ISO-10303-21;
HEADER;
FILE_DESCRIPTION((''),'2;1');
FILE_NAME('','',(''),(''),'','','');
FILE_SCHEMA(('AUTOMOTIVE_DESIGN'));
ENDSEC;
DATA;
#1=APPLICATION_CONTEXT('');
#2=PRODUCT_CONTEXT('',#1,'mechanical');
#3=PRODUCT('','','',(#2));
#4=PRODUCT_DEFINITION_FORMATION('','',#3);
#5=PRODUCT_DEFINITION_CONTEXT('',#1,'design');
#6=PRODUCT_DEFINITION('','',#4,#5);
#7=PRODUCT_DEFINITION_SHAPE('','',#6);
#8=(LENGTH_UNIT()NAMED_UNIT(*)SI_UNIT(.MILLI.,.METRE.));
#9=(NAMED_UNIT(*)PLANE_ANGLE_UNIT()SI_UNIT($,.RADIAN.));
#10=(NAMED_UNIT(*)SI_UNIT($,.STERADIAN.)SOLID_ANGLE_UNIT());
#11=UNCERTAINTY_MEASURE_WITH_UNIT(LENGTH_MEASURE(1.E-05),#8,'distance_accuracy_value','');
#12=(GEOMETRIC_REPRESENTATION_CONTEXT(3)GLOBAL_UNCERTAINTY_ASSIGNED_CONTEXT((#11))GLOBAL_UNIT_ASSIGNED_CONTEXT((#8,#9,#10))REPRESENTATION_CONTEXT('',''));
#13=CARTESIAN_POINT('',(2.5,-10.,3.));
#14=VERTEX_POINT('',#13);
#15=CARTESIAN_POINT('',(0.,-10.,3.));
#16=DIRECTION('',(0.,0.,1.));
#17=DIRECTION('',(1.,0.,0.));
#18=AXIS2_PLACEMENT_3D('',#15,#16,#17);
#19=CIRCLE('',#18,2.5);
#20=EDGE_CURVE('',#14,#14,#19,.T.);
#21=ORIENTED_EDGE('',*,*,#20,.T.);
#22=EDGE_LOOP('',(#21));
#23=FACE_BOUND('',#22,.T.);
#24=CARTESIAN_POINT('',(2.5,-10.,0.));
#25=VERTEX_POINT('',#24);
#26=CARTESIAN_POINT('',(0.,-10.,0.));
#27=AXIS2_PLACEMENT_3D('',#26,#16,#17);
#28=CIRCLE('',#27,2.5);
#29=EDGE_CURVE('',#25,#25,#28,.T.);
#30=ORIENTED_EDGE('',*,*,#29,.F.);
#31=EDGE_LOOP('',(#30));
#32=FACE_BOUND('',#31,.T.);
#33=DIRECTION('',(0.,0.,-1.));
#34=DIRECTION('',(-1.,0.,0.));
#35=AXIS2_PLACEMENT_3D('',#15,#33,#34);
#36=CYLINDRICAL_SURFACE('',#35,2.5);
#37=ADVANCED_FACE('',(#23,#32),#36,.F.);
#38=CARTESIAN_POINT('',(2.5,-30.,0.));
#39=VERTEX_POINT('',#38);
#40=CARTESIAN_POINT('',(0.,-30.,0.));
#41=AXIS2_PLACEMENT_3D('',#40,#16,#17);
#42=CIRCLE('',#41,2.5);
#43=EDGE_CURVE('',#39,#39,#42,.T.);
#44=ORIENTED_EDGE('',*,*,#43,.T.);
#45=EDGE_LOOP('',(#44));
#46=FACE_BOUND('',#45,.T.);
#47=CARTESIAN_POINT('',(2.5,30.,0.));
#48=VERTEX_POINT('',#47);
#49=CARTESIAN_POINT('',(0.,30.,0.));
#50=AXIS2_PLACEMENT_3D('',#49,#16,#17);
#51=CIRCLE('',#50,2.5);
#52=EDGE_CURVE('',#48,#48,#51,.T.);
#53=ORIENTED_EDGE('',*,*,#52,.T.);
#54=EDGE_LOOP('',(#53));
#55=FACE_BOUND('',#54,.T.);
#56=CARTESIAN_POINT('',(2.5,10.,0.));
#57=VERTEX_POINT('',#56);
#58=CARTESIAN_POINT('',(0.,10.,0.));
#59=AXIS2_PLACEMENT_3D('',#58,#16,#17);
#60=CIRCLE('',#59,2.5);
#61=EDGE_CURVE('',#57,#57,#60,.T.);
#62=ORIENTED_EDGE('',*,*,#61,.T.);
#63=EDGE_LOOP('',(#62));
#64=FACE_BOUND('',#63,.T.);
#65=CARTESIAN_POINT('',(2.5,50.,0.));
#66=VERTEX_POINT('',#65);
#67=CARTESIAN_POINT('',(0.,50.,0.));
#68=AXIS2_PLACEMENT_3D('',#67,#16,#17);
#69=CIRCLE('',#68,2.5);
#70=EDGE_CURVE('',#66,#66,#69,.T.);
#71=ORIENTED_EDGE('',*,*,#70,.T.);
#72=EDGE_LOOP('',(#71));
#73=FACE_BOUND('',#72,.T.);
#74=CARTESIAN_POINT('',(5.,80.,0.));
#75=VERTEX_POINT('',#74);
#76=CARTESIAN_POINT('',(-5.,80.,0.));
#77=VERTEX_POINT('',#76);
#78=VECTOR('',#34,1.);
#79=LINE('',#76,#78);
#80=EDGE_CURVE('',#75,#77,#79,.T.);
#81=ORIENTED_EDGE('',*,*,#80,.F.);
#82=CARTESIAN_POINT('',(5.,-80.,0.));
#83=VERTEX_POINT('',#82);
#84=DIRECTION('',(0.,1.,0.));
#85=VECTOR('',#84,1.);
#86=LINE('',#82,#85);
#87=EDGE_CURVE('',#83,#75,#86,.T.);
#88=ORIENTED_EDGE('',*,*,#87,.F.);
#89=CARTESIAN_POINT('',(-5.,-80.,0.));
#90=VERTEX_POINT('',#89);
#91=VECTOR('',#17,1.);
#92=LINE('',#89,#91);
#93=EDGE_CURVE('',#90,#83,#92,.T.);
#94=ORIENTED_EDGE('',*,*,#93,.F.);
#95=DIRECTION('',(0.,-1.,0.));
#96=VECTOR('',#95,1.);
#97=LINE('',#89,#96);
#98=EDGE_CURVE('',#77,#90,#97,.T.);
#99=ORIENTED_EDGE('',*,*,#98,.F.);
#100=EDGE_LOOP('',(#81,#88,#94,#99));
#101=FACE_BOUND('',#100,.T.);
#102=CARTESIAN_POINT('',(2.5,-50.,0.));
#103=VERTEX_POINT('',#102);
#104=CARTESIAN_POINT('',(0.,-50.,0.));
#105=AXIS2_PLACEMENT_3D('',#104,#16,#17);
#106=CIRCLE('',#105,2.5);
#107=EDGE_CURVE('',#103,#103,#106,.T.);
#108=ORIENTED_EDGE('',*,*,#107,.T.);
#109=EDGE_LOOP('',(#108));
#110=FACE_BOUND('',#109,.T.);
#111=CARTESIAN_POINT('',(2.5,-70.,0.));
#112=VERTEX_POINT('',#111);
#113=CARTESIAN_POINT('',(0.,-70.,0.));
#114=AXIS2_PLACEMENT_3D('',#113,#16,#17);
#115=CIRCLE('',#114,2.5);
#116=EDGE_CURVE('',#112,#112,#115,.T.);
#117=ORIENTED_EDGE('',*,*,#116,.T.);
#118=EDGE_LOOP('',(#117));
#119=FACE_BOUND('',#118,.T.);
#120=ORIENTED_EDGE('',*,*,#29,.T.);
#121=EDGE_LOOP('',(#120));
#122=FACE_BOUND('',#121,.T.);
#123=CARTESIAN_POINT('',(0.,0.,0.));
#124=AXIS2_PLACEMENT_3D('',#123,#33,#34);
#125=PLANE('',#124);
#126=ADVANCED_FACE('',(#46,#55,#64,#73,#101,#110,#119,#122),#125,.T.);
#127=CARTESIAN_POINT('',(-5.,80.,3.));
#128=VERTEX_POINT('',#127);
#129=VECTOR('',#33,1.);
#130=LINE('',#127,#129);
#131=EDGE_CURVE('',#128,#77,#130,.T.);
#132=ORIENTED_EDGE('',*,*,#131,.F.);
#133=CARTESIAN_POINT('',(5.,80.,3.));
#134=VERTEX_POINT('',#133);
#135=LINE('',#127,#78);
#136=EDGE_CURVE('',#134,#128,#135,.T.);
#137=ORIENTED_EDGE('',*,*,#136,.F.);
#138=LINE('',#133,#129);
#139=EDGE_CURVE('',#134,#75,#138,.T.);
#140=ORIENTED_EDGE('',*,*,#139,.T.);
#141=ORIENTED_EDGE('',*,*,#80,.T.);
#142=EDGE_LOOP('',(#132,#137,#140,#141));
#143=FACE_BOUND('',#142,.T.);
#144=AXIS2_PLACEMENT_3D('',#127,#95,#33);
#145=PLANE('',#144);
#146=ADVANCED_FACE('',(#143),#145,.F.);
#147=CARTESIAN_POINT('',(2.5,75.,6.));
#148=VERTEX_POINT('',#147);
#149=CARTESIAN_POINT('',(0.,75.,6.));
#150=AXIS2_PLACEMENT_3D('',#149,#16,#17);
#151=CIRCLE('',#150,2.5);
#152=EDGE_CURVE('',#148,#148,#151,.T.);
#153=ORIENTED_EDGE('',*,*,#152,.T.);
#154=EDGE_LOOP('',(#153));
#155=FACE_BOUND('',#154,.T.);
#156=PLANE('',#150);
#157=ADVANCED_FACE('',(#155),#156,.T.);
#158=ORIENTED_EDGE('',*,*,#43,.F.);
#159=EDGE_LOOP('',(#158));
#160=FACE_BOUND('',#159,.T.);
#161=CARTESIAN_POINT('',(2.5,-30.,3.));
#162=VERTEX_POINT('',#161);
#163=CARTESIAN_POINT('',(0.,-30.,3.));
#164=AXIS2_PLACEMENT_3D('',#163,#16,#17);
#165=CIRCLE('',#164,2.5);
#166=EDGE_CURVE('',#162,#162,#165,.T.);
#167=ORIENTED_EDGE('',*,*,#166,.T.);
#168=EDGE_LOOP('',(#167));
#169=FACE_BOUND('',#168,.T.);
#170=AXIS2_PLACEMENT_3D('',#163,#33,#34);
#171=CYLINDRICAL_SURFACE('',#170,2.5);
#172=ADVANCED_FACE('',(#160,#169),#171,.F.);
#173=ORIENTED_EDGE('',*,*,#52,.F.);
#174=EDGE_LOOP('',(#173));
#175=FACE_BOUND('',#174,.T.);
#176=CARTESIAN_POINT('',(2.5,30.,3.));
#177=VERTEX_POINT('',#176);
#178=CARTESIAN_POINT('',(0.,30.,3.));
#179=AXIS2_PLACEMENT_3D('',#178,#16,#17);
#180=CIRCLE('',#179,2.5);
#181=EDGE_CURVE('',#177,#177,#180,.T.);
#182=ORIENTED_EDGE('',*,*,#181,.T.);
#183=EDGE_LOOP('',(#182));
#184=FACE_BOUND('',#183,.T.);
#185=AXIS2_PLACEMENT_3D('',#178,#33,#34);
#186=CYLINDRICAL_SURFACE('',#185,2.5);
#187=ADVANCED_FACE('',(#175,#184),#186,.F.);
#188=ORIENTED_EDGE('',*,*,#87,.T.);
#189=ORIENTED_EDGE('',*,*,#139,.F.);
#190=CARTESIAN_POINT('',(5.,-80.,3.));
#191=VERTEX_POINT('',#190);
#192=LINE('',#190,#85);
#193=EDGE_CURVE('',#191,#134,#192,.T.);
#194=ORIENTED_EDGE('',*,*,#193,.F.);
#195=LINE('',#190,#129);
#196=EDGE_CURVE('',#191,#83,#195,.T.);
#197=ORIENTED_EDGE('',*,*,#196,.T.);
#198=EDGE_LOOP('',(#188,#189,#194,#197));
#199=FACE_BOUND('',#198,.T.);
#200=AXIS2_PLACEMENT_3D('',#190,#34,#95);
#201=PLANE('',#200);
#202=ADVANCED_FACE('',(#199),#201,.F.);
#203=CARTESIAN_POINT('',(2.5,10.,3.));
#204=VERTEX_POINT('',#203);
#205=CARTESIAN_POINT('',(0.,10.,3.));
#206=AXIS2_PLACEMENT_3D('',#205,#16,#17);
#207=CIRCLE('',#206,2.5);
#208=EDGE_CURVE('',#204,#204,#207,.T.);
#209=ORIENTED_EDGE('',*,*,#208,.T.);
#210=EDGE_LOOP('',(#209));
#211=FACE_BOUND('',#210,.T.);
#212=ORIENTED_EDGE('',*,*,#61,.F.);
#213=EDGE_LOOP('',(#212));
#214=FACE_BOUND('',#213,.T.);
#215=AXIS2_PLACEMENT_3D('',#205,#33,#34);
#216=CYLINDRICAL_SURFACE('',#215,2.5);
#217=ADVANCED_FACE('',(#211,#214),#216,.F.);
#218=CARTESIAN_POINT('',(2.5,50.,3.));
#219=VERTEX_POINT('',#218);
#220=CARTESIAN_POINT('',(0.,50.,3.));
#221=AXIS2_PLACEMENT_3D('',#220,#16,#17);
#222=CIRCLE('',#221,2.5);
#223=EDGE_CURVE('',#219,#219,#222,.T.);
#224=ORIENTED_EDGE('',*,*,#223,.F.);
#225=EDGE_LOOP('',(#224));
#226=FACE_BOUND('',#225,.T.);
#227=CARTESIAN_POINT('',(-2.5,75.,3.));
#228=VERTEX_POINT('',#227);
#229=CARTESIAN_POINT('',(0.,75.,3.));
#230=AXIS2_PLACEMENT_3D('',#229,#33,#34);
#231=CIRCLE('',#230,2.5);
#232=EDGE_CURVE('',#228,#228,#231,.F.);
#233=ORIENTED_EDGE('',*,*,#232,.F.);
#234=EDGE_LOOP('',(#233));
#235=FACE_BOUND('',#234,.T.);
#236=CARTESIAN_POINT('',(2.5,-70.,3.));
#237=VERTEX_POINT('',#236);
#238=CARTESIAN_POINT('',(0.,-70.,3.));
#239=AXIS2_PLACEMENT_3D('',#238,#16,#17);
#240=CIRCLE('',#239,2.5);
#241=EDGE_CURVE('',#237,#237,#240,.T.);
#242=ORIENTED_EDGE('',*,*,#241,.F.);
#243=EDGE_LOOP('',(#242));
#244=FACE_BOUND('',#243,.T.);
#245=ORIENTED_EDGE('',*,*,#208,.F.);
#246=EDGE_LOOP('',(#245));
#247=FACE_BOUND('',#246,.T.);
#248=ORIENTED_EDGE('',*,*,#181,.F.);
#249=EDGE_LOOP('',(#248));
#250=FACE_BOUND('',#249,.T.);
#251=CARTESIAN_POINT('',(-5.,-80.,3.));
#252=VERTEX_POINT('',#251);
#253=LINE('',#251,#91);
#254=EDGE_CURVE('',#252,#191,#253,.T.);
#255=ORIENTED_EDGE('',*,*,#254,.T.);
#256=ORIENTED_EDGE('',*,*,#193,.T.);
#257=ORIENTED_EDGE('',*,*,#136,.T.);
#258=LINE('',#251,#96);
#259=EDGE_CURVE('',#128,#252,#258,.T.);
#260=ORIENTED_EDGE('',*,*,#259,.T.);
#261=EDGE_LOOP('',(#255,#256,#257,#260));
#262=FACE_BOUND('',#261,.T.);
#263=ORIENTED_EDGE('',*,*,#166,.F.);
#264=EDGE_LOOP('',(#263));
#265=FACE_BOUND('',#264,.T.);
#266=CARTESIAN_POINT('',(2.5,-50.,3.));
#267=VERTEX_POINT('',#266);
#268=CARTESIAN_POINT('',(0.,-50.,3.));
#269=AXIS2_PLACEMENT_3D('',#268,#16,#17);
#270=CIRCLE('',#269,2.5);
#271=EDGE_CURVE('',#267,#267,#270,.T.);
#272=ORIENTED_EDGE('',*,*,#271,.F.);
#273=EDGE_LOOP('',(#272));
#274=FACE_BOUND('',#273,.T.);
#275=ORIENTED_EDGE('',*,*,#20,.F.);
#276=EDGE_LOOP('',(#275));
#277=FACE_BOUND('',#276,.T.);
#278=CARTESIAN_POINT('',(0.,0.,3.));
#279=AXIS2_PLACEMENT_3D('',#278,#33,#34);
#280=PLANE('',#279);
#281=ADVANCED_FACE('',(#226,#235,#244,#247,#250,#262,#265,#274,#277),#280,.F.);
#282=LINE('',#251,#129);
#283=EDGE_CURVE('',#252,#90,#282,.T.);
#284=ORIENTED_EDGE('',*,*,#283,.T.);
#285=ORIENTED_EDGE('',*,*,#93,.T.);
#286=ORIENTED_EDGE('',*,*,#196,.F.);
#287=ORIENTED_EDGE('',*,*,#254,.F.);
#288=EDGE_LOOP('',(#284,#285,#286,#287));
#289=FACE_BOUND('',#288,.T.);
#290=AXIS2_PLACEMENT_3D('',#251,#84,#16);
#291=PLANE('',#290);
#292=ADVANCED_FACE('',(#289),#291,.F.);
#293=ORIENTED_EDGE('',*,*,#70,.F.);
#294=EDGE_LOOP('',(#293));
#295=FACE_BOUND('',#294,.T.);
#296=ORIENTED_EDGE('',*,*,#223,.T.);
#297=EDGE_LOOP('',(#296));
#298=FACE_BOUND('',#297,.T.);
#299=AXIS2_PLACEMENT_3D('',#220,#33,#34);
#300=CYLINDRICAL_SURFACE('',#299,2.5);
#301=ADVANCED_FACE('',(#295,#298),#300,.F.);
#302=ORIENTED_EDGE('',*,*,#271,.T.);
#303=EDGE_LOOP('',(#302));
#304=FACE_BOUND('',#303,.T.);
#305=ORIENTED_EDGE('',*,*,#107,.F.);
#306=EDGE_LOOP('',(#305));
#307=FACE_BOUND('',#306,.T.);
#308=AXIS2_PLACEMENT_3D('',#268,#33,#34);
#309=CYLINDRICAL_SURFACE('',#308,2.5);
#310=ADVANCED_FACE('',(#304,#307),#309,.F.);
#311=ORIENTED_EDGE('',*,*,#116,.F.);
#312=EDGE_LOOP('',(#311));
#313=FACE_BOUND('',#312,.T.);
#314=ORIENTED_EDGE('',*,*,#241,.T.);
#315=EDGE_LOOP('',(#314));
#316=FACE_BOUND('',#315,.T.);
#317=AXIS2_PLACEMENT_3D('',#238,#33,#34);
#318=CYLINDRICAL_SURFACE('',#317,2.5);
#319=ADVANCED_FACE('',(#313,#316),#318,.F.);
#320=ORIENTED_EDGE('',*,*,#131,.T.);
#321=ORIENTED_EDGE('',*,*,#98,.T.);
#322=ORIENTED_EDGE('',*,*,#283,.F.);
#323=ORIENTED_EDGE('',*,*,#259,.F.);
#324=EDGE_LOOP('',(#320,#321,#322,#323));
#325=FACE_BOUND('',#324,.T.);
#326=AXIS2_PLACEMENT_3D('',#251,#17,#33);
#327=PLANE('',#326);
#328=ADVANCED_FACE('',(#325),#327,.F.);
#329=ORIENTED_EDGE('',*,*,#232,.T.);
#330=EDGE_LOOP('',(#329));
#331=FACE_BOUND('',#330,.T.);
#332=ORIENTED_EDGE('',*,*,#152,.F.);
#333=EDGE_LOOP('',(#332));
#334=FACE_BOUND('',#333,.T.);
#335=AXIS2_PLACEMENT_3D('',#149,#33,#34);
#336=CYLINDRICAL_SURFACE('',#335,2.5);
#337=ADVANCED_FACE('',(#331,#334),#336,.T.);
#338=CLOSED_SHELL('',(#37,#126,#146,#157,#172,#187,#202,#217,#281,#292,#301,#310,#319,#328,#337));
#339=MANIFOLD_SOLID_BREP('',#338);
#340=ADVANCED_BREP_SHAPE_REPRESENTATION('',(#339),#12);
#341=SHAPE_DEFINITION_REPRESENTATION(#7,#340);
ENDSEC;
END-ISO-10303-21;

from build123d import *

# Parameters (mm, degrees)
SKETCH_1_W      = 10
SKETCH_1_H      = 160
SKETCH_1_R      = 2.5
EXTRUDE_1_DEPTH = 3
SKETCH_2_R      = 2.5
EXTRUDE_2_DEPTH = 3


with BuildPart() as part:
    # 草圖1 → 填料-伸長1 (new body)
    with BuildSketch(Plane.XY):
        Rectangle(SKETCH_1_W, SKETCH_1_H)
        with Locations((0, -70)):
            Circle(SKETCH_1_R, mode=Mode.SUBTRACT)
        with Locations((0, -50)):
            Circle(SKETCH_1_R, mode=Mode.SUBTRACT)
        with Locations((0, -30)):
            Circle(SKETCH_1_R, mode=Mode.SUBTRACT)
        with Locations((0, -10)):
            Circle(SKETCH_1_R, mode=Mode.SUBTRACT)
        with Locations((0, 10)):
            Circle(SKETCH_1_R, mode=Mode.SUBTRACT)
        with Locations((0, 30)):
            Circle(SKETCH_1_R, mode=Mode.SUBTRACT)
        with Locations((0, 50)):
            Circle(SKETCH_1_R, mode=Mode.SUBTRACT)
    extrude(amount=EXTRUDE_1_DEPTH)

    # 草圖2 → 填料-伸長2 (add)
    with BuildSketch(Plane.XY.offset(3)):
        with Locations(Location((0, 75, 0), (0, 0, 180))):
            Circle(SKETCH_2_R)
    extrude(amount=EXTRUDE_2_DEPTH)


solid = part.part
